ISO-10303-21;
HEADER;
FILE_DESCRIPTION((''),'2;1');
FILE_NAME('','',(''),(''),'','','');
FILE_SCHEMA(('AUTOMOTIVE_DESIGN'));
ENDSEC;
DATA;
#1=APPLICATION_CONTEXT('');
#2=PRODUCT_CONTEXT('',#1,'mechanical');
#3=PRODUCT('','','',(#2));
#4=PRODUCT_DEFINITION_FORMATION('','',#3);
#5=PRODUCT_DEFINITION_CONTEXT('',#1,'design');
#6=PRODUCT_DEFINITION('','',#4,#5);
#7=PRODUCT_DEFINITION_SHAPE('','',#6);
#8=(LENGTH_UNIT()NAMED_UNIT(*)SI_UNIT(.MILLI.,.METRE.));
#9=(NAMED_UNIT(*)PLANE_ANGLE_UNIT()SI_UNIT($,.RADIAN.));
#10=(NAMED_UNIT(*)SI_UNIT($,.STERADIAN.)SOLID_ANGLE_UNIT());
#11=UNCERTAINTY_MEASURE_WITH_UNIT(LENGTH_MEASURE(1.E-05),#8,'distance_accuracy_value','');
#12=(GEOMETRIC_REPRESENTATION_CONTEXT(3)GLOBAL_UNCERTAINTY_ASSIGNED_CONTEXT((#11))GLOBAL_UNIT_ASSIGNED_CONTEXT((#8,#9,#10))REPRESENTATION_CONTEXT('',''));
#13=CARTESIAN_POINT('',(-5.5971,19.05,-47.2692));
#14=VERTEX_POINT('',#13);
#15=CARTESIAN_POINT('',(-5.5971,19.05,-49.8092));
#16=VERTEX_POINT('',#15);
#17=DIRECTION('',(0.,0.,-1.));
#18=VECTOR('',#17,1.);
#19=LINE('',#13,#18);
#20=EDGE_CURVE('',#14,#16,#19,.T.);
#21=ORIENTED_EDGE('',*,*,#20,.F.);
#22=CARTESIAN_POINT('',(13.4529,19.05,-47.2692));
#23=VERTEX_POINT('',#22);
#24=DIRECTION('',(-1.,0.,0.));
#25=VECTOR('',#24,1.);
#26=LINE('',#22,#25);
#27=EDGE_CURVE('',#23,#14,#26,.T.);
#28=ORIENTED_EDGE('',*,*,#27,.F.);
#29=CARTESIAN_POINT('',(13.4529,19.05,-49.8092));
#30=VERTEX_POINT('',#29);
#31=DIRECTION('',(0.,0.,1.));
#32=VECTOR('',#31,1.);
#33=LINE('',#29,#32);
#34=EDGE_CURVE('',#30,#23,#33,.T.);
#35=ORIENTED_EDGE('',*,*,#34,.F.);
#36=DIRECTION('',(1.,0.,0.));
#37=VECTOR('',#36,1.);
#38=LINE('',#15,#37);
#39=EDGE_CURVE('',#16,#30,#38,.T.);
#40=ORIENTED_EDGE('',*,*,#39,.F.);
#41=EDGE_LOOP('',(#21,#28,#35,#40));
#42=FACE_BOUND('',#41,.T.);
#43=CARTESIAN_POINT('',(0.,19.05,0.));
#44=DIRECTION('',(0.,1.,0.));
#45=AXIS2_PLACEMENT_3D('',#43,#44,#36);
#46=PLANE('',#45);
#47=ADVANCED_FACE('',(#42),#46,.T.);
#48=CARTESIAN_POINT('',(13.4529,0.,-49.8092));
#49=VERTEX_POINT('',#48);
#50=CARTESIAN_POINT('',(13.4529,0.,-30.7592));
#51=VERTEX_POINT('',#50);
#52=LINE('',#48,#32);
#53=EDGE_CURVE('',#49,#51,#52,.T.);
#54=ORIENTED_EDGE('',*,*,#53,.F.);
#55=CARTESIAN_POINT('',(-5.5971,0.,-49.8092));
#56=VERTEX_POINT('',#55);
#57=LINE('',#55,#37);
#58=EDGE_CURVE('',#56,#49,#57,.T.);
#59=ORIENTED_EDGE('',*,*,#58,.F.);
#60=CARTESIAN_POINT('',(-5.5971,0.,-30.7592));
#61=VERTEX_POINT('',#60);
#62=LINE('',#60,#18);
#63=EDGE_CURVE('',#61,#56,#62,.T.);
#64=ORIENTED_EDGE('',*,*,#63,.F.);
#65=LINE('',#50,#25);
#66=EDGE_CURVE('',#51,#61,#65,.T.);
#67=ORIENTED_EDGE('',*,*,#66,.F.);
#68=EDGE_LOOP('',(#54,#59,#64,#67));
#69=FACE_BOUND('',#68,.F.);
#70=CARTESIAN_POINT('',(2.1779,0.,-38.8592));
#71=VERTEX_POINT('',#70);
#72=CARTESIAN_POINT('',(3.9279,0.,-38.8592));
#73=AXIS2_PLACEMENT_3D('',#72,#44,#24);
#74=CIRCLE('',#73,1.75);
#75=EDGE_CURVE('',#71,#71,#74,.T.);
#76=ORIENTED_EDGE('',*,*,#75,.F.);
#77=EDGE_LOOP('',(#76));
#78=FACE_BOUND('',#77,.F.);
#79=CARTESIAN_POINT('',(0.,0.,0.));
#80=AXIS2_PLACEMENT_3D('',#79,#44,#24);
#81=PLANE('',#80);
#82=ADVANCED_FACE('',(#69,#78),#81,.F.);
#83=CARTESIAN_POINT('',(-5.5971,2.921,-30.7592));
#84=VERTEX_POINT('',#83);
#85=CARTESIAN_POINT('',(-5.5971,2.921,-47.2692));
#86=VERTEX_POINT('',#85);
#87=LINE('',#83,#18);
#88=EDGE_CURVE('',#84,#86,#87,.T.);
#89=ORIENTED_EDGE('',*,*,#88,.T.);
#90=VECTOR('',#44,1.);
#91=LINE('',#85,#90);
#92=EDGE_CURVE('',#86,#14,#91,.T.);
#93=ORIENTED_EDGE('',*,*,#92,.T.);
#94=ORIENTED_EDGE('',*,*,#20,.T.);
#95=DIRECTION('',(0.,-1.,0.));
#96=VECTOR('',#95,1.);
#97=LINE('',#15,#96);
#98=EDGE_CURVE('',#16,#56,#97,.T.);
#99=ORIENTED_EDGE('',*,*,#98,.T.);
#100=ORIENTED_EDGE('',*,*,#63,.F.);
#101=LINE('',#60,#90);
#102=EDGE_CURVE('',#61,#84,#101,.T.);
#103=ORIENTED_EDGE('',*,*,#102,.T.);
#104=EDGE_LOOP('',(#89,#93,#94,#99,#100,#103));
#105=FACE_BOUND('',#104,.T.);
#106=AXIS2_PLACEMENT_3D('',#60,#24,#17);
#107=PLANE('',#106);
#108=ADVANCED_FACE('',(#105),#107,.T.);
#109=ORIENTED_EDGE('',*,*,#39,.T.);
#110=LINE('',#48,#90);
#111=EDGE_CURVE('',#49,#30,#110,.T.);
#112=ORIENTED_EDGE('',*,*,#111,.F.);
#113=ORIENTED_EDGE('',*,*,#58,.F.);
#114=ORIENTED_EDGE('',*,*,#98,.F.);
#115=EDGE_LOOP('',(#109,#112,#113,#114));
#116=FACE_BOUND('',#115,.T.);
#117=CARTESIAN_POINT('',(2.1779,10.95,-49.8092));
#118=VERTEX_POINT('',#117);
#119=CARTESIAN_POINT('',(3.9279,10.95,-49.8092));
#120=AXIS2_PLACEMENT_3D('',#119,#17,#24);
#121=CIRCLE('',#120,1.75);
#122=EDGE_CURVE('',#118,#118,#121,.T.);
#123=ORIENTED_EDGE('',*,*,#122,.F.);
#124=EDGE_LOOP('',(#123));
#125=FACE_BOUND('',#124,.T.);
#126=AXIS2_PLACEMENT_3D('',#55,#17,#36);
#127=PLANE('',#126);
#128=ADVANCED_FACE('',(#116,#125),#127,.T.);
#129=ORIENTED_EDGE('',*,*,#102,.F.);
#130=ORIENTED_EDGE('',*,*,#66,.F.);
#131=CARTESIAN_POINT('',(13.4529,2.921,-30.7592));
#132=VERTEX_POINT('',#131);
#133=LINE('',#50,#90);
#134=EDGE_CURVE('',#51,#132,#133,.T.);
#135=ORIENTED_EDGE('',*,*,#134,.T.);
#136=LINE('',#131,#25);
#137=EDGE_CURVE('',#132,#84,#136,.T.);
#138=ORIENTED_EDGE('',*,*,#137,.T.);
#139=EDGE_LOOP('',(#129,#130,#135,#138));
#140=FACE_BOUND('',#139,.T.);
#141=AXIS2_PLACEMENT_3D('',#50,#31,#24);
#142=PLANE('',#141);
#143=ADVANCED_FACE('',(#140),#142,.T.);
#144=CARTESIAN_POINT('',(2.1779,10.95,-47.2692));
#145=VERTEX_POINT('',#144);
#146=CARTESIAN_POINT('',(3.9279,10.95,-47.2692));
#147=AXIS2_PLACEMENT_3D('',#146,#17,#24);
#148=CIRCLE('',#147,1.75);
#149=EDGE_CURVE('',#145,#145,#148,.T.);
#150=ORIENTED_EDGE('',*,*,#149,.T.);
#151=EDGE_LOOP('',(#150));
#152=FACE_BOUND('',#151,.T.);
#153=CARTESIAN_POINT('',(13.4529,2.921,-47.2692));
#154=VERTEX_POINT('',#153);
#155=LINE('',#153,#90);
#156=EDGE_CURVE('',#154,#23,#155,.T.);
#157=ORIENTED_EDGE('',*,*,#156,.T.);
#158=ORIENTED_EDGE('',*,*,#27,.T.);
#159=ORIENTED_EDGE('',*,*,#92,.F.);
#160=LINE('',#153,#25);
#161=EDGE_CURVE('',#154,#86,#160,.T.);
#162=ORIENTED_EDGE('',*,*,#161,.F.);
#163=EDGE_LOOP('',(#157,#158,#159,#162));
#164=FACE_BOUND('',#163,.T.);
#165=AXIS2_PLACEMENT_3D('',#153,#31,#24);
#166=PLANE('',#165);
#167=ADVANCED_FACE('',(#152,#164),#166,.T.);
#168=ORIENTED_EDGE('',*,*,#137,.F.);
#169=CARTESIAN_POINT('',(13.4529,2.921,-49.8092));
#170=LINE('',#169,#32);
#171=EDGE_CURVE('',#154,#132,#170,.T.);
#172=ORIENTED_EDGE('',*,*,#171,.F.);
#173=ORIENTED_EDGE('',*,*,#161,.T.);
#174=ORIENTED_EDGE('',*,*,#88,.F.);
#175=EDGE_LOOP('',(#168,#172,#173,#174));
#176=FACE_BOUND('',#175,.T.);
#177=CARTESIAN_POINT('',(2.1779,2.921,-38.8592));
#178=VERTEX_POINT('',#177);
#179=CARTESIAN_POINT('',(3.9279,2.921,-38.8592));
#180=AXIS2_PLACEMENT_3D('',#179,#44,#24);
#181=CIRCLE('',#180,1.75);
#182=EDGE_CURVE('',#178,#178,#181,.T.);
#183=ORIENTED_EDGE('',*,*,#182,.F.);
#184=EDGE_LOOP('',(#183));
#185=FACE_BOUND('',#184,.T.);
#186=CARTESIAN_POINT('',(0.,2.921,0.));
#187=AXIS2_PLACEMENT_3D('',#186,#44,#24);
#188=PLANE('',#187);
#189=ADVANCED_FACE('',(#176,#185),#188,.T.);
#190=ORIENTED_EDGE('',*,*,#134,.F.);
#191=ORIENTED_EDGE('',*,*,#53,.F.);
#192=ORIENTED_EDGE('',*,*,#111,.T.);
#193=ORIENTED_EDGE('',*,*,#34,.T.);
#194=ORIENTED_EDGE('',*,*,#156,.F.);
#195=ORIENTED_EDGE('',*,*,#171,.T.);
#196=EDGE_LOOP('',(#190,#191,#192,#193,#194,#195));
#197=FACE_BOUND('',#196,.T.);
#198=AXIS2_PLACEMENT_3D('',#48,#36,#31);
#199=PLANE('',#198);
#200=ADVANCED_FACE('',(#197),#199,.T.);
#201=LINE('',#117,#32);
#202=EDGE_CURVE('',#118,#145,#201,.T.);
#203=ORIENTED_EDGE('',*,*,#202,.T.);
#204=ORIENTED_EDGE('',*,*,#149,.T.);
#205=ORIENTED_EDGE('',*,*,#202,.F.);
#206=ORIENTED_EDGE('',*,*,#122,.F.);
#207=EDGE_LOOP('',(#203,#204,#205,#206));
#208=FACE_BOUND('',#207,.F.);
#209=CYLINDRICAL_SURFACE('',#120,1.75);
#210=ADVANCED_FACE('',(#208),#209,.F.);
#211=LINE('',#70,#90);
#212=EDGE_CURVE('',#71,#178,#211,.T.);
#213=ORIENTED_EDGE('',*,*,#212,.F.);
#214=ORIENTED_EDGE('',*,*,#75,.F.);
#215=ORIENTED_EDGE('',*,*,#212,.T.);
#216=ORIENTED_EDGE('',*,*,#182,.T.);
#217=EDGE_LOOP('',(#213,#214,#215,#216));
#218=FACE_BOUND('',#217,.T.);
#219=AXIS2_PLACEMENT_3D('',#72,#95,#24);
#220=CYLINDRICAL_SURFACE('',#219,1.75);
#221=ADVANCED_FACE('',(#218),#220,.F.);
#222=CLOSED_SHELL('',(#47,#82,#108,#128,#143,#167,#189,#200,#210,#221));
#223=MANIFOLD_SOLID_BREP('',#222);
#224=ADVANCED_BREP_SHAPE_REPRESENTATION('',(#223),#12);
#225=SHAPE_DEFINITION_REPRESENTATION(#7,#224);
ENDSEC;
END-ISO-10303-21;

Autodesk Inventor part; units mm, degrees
ref_plane "YZ Plane" through (0, 0, 0) normal (1, 0, 0) x (0, 1, 0)
ref_plane "XZ Plane" through (0, 0, 0) normal (0, 1, 0) x (-1, 0, 0)
ref_plane "XY Plane" through (0, 0, 0) normal (0, 0, 1) x (1, 0, 0)
sketch "Sketch1" plane through (0, 0, 0) normal (0, 1, 0) x (-1, 0, 0)
  line L0 (-13.4529, -30.7592) -> (5.5971, -30.7592)
  line L1 (5.5971, -30.7592) -> (5.5971, -49.8092)
  line L2 (5.5971, -49.8092) -> (-13.4529, -49.8092)
  line L3 (-13.4529, -49.8092) -> (-13.4529, -30.7592)
  line L4 (-13.4529, -30.7592) -> (5.5971, -49.8092) construction
  line L5 (5.5971, -30.7592) -> (-13.4529, -49.8092) construction
  line L6 (-3.9279, -30.7592) -> (-3.9279, -38.8592) construction
  circle A0 centre (-3.9279, -38.8592) radius 1.75
  point P0 (0, 0)
  point P1 (-3.9279, -40.2842)
  dimension "d0" = 19.05
  dimension "d1" = 19.05
  dimension "d8" = 8.1
  dimension "d9" = 3.5
extrude "Extrusion1" add sketch "Sketch1" along normal blind 2.921
sketch "Sketch2" plane through (0, 2.921, 0) normal (0, 1, 0) x (1, 0, 0)
  line L0 (-5.5971, 49.8092) -> (13.4529, 49.8092)
  line L1 (13.4529, 49.8092) -> (13.4529, 47.2692)
  line L2 (13.4529, 47.2692) -> (-5.5971, 47.2692)
  line L3 (-5.5971, 47.2692) -> (-5.5971, 49.8092)
  point P0 (0, 0)
  dimension "d4" = 19.05
  dimension "d5" = 2.54
extrude "Extrusion2" add sketch "Sketch2" along normal blind 16.129
sketch "Sketch3" plane through (13.4529, 0, -49.8092) normal (0, 0, -1) x (-1, 0, 0)
  line L0 (19.05, 0) -> (0, 0) construction
  line L1 (19.05, 0) -> (19.05, 19.05) construction
  line L2 (0, 19.05) -> (19.05, 19.05) construction
  line L3 (0, 0) -> (0, 19.05) construction
  line L4 (0, 19.05) -> (19.05, 19.05) construction
  line L5 (9.525, 19.05) -> (9.525, 10.95) construction
  circle A0 centre (9.525, 10.95) radius 1.75
  point P0 (13.4529, 0)
  dimension "d10" = 8.1
  dimension "d11" = 3.5
extrude "Extrusion3" cut sketch "Sketch3" against normal blind 25.4
